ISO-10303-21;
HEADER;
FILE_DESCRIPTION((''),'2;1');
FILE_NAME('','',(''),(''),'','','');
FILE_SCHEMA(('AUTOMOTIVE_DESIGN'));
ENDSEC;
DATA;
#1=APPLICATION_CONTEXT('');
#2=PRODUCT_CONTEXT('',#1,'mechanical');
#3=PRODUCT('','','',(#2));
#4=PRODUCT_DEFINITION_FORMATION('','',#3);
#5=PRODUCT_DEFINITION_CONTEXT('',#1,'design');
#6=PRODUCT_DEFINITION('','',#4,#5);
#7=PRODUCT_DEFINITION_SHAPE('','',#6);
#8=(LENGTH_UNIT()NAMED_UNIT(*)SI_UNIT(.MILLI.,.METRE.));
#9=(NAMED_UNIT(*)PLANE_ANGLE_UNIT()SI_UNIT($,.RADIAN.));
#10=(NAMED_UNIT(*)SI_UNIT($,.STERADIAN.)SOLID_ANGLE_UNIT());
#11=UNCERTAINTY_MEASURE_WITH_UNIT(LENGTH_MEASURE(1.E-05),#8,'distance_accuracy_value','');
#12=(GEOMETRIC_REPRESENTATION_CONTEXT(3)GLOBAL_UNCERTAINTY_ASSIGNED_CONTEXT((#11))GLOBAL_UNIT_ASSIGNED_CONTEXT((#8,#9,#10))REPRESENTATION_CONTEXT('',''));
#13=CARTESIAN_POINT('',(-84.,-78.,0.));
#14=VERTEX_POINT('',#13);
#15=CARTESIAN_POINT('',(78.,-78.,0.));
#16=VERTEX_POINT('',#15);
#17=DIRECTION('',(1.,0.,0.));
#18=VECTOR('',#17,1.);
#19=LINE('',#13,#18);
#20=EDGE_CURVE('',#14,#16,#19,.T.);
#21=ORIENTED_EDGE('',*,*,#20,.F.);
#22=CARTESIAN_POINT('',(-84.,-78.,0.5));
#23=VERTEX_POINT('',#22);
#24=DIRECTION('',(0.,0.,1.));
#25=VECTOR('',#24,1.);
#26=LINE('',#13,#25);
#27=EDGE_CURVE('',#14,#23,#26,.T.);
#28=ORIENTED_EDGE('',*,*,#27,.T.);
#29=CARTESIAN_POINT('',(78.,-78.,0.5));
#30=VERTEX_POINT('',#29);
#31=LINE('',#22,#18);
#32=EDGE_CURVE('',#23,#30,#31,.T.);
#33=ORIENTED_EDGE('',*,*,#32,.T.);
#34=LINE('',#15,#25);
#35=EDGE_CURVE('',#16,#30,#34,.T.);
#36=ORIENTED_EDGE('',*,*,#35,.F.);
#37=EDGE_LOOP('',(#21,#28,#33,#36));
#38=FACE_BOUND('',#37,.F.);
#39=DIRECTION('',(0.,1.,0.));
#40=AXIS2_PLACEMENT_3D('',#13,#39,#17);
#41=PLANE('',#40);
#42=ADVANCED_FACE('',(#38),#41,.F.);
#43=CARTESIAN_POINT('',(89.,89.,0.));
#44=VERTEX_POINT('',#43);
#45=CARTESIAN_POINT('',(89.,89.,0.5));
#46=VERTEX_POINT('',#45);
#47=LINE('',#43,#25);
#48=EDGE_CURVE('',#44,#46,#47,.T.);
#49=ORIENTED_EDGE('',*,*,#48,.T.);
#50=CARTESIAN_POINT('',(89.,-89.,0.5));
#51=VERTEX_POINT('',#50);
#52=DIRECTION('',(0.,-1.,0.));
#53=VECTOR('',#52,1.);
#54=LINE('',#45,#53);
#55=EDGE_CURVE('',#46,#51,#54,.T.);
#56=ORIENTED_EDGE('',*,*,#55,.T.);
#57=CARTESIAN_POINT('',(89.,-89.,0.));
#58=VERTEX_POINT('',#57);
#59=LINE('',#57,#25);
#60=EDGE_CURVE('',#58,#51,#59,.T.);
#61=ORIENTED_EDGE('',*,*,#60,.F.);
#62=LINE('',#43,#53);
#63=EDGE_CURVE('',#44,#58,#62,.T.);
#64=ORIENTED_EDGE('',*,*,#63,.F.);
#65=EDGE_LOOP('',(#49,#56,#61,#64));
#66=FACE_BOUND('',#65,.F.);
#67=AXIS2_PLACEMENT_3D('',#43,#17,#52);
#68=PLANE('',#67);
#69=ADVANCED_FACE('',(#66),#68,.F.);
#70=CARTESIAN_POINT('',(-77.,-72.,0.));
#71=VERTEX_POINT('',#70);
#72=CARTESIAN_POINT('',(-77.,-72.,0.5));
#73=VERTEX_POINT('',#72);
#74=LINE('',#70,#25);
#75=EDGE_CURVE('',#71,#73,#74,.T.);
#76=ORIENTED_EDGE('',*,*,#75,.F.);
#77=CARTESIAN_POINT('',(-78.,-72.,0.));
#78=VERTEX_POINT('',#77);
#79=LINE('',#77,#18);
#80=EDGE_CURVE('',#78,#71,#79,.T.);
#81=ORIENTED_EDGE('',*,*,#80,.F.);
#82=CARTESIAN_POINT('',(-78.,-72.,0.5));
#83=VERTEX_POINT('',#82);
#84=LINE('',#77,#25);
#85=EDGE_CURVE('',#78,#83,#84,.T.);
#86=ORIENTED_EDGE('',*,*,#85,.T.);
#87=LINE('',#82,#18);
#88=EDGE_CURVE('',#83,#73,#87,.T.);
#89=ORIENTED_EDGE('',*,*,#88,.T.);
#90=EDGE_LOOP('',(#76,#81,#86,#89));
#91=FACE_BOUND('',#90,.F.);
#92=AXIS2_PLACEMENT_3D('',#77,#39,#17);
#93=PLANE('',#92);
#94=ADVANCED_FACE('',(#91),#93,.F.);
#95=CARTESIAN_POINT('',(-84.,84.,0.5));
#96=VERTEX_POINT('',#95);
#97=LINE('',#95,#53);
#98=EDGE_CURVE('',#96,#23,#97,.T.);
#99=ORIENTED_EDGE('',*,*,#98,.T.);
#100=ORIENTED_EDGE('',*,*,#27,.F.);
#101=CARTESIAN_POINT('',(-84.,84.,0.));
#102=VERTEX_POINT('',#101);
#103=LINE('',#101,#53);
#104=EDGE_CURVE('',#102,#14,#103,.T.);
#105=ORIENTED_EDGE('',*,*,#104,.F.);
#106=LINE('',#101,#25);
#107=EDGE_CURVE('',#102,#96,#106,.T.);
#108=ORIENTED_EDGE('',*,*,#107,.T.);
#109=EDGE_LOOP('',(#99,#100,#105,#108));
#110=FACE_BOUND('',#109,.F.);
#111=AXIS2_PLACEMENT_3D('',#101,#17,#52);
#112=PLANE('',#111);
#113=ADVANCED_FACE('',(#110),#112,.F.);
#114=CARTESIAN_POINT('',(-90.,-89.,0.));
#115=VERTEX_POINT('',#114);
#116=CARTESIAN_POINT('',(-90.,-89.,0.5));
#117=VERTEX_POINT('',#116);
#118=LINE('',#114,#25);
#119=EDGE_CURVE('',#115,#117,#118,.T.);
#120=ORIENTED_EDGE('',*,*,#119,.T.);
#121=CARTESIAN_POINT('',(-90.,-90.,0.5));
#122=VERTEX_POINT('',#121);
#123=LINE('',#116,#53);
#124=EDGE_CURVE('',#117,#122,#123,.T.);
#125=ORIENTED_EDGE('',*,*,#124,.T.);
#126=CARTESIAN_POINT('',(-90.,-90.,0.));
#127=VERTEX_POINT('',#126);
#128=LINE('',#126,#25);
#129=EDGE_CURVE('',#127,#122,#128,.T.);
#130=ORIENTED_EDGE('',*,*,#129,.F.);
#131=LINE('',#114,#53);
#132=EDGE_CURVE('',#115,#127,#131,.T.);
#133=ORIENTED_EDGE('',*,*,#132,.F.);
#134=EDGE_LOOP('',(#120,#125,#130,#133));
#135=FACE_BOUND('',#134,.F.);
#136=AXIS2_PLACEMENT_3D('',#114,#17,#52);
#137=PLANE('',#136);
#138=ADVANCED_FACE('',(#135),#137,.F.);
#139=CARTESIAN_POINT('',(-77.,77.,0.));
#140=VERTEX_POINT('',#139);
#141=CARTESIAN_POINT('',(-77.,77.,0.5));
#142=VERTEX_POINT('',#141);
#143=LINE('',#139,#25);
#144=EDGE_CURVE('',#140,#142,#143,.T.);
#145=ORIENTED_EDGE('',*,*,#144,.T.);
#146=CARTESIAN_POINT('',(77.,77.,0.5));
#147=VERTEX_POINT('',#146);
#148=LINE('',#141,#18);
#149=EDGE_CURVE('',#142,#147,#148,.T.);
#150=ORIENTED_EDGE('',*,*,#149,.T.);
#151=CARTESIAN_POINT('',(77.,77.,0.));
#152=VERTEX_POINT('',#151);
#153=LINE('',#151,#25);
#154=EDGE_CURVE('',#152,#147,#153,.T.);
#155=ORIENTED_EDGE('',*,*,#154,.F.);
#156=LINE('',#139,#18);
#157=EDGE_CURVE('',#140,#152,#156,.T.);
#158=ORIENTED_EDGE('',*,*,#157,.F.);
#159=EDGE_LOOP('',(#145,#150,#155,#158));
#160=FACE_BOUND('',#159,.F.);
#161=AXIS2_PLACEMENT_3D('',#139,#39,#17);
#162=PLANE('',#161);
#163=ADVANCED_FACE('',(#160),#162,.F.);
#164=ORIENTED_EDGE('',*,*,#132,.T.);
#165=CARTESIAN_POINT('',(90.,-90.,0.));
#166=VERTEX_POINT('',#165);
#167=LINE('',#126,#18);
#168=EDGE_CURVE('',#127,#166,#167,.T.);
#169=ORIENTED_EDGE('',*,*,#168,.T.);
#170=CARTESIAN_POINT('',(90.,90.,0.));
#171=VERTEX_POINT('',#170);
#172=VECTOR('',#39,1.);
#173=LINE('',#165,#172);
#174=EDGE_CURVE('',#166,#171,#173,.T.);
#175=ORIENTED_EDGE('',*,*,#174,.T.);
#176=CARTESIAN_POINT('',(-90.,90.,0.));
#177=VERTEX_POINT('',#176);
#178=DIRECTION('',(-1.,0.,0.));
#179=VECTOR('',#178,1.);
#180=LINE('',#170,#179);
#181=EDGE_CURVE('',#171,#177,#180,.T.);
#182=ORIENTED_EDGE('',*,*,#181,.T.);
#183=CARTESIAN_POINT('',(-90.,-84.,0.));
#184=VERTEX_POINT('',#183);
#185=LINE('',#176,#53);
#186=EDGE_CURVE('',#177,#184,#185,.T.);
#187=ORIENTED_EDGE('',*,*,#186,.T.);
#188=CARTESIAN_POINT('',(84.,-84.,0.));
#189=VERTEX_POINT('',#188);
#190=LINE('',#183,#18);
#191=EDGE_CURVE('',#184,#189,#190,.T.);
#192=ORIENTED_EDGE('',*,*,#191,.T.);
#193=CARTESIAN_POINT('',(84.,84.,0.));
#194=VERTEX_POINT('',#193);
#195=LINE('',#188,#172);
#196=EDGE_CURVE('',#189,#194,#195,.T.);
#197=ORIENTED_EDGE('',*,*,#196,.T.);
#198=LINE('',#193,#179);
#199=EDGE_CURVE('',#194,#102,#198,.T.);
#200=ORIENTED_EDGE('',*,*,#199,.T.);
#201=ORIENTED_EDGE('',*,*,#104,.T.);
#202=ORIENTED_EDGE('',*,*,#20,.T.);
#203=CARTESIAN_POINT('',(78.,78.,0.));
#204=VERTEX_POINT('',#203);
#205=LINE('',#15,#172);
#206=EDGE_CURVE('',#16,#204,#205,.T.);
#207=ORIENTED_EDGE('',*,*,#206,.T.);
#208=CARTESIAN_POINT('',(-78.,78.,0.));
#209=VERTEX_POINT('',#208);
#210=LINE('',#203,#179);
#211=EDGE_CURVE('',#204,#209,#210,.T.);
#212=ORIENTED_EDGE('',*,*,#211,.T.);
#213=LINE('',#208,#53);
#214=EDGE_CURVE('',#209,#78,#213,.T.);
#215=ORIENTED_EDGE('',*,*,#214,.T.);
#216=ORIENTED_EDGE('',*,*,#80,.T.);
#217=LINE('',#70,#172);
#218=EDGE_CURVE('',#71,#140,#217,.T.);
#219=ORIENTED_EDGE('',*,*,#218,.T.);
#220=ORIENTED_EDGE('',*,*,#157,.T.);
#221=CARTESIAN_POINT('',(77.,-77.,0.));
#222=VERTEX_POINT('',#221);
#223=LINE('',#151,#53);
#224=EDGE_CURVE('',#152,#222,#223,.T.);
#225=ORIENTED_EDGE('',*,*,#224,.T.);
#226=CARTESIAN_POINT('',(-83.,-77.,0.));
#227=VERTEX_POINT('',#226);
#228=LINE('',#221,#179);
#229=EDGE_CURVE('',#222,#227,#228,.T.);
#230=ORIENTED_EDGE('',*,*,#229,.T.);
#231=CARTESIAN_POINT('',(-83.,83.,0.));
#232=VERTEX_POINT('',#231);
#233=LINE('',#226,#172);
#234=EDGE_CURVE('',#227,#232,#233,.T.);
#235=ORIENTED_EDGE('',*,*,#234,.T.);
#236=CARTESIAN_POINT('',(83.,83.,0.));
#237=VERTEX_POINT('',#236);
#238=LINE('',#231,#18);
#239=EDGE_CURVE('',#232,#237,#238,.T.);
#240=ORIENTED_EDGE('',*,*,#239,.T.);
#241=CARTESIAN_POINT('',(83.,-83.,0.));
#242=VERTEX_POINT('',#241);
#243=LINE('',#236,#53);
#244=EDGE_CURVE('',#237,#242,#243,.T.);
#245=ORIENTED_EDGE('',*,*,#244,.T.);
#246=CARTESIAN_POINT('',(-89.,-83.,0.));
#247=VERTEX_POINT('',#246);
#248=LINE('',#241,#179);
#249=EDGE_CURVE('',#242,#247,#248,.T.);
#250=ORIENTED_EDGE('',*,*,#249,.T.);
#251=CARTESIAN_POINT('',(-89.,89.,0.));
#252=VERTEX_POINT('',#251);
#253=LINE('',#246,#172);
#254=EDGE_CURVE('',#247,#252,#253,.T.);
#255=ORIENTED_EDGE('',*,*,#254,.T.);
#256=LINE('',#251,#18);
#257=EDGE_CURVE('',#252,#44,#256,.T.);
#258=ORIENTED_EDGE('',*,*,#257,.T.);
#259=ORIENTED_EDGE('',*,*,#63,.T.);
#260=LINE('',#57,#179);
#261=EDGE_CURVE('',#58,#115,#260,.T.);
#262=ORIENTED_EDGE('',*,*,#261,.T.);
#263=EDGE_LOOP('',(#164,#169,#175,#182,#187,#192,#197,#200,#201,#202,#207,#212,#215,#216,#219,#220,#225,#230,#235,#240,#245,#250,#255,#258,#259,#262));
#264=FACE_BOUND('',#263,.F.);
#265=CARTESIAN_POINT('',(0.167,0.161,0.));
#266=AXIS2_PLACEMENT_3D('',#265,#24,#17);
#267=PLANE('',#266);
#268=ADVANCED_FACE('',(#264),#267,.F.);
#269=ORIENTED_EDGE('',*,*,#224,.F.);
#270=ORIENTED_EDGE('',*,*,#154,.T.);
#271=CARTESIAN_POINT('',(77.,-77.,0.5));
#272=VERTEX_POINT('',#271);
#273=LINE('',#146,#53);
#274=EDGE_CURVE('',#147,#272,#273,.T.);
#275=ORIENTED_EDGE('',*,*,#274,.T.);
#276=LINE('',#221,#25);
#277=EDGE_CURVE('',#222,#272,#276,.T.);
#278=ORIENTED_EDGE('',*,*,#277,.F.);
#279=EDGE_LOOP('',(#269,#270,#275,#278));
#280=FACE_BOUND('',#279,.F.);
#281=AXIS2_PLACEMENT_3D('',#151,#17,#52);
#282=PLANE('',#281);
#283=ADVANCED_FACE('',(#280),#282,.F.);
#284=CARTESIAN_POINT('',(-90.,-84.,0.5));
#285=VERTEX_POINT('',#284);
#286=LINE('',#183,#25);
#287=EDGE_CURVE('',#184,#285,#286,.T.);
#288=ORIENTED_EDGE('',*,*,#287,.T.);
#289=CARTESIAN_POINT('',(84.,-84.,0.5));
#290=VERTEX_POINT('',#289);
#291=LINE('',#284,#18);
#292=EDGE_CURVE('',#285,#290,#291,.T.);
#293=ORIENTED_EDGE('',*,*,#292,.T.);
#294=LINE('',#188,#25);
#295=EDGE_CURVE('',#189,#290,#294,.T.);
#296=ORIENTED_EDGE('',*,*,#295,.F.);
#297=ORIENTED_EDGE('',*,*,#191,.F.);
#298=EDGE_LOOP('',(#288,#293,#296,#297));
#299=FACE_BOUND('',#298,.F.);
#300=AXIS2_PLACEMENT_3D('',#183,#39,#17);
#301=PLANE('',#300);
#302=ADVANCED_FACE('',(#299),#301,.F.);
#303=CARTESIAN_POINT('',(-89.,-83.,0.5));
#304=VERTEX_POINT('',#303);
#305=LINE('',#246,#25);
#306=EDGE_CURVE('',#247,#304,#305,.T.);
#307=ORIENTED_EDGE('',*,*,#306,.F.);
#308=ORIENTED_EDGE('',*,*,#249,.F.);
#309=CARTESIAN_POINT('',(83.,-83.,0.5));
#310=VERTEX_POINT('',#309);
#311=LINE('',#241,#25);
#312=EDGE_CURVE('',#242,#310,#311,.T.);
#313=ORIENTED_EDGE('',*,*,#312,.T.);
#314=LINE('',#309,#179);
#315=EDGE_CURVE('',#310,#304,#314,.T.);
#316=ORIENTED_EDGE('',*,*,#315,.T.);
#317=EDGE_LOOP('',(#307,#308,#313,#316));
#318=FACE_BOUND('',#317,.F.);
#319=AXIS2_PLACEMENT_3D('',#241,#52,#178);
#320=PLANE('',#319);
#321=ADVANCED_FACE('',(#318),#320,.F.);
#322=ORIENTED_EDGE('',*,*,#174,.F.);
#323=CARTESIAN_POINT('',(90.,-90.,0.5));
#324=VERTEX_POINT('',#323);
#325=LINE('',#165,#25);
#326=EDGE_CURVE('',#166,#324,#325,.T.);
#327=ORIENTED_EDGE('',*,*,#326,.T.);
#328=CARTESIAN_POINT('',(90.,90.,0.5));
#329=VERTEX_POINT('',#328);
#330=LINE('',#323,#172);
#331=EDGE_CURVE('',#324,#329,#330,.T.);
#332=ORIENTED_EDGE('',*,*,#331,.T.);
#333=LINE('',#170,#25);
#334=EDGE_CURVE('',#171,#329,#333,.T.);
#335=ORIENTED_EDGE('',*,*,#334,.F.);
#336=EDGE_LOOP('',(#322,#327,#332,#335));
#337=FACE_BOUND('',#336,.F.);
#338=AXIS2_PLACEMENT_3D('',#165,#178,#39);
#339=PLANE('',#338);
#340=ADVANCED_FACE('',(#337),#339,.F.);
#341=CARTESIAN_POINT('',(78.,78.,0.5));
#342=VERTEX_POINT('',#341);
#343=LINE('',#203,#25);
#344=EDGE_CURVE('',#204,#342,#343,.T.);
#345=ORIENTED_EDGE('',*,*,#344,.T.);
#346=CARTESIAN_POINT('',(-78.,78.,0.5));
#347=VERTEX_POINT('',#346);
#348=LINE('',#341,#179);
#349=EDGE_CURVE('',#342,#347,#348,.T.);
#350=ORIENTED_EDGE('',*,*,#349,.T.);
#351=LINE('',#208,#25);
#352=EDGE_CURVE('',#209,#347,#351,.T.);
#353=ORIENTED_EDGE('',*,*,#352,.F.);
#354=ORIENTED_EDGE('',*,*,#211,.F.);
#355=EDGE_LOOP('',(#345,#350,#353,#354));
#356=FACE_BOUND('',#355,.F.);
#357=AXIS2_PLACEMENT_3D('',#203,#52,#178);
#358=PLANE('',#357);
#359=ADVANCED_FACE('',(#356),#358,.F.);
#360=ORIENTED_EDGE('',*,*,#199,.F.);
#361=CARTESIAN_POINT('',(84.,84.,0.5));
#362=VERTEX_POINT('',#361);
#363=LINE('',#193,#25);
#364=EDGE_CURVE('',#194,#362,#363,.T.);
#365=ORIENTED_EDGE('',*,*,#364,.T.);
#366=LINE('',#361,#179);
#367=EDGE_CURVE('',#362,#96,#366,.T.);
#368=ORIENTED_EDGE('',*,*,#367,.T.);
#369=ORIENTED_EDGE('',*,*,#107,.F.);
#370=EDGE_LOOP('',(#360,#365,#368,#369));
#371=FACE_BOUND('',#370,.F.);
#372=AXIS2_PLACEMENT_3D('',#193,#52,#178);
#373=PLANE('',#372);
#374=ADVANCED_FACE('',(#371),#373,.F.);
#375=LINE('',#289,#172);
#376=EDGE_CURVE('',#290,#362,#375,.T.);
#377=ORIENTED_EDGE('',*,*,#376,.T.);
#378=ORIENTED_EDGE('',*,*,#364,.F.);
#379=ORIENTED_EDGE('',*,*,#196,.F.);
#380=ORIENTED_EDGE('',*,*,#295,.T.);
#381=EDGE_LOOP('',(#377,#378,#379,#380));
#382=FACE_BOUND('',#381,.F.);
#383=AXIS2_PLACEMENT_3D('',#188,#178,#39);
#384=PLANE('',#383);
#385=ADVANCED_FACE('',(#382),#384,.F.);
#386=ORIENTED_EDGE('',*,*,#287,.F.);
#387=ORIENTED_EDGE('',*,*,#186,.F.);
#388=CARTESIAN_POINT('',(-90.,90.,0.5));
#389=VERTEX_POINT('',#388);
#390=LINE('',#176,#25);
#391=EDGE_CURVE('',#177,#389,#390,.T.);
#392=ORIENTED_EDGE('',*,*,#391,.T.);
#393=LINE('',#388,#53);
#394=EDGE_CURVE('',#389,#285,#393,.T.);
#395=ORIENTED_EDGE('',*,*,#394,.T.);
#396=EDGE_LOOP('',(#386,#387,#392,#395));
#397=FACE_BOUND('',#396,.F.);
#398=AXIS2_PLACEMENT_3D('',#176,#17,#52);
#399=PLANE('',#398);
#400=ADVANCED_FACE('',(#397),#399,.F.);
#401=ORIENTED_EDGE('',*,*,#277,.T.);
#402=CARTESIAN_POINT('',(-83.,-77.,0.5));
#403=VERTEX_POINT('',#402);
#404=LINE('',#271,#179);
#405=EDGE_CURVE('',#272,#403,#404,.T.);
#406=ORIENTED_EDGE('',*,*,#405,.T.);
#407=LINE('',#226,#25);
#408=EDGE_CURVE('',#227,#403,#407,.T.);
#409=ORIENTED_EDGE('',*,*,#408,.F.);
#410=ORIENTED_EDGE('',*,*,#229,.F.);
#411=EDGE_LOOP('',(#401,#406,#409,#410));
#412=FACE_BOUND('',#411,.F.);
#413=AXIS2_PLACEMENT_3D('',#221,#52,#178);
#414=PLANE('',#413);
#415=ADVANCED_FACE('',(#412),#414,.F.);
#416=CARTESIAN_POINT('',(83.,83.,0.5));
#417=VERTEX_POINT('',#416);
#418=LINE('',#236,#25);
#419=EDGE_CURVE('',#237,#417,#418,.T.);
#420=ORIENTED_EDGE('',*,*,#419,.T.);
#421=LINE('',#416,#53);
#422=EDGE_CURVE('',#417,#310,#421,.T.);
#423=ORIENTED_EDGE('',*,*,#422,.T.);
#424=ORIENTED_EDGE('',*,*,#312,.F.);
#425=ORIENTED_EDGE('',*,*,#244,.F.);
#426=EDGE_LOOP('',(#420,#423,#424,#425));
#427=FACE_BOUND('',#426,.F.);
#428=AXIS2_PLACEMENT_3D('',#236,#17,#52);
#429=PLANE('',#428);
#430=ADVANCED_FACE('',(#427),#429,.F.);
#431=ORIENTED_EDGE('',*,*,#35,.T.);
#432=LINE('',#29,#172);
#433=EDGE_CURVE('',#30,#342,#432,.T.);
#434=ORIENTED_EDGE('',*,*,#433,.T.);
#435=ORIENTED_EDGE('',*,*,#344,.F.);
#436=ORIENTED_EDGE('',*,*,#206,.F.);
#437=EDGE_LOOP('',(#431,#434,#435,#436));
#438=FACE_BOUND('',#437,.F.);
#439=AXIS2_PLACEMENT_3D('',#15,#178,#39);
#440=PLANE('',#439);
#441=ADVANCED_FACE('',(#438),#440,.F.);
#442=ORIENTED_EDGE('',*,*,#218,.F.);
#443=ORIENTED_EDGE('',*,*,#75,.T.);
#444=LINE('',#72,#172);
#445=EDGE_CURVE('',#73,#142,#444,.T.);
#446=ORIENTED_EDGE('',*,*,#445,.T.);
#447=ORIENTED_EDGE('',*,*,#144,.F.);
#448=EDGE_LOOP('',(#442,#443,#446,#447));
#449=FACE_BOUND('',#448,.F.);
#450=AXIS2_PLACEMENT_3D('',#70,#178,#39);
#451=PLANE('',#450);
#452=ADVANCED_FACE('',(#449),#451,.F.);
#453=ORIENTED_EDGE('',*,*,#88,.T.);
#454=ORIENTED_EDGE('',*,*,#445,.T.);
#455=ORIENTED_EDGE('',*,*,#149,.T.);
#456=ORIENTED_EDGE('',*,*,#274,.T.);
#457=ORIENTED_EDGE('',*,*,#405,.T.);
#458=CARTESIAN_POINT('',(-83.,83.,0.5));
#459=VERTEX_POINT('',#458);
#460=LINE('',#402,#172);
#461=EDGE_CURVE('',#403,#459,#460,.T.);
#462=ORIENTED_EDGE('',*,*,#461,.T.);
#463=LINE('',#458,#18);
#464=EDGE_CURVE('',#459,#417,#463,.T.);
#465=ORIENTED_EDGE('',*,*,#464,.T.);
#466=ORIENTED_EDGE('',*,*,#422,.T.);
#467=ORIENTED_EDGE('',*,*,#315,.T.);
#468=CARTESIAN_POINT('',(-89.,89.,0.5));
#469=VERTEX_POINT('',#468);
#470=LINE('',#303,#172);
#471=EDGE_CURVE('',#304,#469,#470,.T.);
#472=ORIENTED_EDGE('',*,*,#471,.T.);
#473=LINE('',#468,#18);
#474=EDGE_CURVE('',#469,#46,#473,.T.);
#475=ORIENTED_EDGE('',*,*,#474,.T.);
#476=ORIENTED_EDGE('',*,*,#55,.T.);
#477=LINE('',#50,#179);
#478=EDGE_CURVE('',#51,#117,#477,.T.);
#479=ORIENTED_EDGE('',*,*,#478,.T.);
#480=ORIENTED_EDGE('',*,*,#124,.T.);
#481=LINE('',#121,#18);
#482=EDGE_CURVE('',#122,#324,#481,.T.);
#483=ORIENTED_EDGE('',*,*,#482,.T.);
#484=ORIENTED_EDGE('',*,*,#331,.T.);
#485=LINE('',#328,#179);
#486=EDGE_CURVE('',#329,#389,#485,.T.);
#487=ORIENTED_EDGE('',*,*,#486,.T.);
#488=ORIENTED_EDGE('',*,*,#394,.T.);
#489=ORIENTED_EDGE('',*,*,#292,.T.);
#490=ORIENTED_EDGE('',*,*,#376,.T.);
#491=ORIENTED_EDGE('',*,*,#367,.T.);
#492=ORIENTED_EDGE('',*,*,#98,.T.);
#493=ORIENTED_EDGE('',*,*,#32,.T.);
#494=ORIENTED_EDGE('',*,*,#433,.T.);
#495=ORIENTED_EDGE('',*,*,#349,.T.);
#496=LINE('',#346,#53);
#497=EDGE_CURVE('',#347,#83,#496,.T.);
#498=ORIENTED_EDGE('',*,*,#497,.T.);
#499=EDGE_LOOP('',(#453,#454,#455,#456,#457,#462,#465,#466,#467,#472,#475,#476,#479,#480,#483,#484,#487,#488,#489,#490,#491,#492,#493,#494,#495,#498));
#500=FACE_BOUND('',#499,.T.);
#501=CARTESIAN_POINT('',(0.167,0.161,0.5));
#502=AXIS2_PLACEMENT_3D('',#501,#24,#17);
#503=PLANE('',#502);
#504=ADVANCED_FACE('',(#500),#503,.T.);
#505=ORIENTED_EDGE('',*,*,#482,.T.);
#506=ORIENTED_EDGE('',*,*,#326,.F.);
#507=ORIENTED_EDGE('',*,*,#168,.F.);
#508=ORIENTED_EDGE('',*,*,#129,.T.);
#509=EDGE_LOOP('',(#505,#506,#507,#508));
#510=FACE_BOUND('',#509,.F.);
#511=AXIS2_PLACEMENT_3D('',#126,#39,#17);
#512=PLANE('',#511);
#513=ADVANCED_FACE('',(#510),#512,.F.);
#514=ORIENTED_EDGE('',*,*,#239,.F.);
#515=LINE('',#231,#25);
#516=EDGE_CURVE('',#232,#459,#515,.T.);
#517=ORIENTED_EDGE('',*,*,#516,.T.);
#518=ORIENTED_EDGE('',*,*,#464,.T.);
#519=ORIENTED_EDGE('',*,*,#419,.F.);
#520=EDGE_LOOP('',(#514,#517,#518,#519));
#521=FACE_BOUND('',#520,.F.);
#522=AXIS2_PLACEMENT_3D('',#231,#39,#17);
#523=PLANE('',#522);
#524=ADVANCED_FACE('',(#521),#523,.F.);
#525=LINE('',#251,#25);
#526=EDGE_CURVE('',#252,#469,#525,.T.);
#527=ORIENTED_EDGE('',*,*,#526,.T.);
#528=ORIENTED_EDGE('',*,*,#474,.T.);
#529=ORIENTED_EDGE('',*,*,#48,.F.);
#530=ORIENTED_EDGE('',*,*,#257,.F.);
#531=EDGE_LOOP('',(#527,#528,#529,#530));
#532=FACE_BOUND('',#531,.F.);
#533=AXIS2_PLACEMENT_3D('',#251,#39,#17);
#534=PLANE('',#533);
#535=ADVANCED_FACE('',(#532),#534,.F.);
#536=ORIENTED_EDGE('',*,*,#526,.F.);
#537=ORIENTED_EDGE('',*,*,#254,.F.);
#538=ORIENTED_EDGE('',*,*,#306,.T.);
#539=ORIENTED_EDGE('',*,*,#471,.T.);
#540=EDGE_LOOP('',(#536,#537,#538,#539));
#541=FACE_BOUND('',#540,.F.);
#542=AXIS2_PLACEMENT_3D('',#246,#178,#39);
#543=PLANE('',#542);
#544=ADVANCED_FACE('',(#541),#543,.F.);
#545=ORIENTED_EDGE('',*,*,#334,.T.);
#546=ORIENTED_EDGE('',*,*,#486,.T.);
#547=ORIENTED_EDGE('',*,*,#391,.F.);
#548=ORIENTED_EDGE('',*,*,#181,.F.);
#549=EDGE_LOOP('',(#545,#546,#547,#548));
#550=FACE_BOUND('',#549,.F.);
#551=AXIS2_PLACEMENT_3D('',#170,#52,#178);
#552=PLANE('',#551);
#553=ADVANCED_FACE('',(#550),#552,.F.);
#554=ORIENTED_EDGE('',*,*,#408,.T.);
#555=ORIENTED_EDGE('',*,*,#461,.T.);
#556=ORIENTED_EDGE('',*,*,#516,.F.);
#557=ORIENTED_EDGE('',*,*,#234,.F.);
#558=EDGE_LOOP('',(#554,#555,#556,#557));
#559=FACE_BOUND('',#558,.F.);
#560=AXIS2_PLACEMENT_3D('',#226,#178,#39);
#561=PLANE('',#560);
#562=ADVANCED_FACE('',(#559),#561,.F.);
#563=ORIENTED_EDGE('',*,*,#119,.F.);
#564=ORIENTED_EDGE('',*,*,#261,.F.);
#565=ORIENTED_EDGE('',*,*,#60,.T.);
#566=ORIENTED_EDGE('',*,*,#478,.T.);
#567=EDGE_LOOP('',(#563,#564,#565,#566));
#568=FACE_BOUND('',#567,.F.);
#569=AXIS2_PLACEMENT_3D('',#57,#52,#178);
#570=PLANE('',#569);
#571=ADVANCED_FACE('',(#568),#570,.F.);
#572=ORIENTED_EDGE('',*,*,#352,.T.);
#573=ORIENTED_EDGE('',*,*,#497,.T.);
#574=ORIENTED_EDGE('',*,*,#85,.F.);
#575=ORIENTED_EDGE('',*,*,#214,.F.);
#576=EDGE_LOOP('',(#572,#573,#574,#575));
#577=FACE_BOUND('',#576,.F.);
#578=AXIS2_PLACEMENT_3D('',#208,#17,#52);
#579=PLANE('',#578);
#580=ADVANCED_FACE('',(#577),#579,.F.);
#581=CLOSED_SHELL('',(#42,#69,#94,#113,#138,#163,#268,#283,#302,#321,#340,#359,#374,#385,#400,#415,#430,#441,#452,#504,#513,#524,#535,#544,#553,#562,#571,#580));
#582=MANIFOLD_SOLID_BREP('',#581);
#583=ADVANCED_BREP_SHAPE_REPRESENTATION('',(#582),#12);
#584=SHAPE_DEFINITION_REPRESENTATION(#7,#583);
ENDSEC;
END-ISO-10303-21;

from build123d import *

# Parameters (mm, degrees)
F1_DEPTH = 0.5


with BuildPart() as f1:
    # F0 (on Top) → F1 (new body)
    with BuildSketch(Plane.XY):
        Polygon((-90, -89), (-90, -90), (89, -90), (90, -90), (90, -89), (90, 89), (90, 90), (89, 90), (-89, 90), (-90, 90), (-90, 89), (-90, -83), (-90, -84), (-89, -84), (83, -84), (84, -84), (84, -83), (84, 83), (84, 84), (83, 84), (-83, 84), (-84, 84), (-84, 83), (-84, -77), (-84, -78), (-83, -78), (77, -78), (78, -78), (78, -77), (78, 77), (78, 78), (77, 78), (-77, 78), (-78, 78), (-78, 77), (-78, -72), (-77, -72), (-77, 77), (77, 77), (77, -77), (-83, -77), (-83, 83), (83, 83), (83, -83), (-89, -83), (-89, 89), (89, 89), (89, -89), align=None)
    extrude(amount=F1_DEPTH)


solid = f1.part
